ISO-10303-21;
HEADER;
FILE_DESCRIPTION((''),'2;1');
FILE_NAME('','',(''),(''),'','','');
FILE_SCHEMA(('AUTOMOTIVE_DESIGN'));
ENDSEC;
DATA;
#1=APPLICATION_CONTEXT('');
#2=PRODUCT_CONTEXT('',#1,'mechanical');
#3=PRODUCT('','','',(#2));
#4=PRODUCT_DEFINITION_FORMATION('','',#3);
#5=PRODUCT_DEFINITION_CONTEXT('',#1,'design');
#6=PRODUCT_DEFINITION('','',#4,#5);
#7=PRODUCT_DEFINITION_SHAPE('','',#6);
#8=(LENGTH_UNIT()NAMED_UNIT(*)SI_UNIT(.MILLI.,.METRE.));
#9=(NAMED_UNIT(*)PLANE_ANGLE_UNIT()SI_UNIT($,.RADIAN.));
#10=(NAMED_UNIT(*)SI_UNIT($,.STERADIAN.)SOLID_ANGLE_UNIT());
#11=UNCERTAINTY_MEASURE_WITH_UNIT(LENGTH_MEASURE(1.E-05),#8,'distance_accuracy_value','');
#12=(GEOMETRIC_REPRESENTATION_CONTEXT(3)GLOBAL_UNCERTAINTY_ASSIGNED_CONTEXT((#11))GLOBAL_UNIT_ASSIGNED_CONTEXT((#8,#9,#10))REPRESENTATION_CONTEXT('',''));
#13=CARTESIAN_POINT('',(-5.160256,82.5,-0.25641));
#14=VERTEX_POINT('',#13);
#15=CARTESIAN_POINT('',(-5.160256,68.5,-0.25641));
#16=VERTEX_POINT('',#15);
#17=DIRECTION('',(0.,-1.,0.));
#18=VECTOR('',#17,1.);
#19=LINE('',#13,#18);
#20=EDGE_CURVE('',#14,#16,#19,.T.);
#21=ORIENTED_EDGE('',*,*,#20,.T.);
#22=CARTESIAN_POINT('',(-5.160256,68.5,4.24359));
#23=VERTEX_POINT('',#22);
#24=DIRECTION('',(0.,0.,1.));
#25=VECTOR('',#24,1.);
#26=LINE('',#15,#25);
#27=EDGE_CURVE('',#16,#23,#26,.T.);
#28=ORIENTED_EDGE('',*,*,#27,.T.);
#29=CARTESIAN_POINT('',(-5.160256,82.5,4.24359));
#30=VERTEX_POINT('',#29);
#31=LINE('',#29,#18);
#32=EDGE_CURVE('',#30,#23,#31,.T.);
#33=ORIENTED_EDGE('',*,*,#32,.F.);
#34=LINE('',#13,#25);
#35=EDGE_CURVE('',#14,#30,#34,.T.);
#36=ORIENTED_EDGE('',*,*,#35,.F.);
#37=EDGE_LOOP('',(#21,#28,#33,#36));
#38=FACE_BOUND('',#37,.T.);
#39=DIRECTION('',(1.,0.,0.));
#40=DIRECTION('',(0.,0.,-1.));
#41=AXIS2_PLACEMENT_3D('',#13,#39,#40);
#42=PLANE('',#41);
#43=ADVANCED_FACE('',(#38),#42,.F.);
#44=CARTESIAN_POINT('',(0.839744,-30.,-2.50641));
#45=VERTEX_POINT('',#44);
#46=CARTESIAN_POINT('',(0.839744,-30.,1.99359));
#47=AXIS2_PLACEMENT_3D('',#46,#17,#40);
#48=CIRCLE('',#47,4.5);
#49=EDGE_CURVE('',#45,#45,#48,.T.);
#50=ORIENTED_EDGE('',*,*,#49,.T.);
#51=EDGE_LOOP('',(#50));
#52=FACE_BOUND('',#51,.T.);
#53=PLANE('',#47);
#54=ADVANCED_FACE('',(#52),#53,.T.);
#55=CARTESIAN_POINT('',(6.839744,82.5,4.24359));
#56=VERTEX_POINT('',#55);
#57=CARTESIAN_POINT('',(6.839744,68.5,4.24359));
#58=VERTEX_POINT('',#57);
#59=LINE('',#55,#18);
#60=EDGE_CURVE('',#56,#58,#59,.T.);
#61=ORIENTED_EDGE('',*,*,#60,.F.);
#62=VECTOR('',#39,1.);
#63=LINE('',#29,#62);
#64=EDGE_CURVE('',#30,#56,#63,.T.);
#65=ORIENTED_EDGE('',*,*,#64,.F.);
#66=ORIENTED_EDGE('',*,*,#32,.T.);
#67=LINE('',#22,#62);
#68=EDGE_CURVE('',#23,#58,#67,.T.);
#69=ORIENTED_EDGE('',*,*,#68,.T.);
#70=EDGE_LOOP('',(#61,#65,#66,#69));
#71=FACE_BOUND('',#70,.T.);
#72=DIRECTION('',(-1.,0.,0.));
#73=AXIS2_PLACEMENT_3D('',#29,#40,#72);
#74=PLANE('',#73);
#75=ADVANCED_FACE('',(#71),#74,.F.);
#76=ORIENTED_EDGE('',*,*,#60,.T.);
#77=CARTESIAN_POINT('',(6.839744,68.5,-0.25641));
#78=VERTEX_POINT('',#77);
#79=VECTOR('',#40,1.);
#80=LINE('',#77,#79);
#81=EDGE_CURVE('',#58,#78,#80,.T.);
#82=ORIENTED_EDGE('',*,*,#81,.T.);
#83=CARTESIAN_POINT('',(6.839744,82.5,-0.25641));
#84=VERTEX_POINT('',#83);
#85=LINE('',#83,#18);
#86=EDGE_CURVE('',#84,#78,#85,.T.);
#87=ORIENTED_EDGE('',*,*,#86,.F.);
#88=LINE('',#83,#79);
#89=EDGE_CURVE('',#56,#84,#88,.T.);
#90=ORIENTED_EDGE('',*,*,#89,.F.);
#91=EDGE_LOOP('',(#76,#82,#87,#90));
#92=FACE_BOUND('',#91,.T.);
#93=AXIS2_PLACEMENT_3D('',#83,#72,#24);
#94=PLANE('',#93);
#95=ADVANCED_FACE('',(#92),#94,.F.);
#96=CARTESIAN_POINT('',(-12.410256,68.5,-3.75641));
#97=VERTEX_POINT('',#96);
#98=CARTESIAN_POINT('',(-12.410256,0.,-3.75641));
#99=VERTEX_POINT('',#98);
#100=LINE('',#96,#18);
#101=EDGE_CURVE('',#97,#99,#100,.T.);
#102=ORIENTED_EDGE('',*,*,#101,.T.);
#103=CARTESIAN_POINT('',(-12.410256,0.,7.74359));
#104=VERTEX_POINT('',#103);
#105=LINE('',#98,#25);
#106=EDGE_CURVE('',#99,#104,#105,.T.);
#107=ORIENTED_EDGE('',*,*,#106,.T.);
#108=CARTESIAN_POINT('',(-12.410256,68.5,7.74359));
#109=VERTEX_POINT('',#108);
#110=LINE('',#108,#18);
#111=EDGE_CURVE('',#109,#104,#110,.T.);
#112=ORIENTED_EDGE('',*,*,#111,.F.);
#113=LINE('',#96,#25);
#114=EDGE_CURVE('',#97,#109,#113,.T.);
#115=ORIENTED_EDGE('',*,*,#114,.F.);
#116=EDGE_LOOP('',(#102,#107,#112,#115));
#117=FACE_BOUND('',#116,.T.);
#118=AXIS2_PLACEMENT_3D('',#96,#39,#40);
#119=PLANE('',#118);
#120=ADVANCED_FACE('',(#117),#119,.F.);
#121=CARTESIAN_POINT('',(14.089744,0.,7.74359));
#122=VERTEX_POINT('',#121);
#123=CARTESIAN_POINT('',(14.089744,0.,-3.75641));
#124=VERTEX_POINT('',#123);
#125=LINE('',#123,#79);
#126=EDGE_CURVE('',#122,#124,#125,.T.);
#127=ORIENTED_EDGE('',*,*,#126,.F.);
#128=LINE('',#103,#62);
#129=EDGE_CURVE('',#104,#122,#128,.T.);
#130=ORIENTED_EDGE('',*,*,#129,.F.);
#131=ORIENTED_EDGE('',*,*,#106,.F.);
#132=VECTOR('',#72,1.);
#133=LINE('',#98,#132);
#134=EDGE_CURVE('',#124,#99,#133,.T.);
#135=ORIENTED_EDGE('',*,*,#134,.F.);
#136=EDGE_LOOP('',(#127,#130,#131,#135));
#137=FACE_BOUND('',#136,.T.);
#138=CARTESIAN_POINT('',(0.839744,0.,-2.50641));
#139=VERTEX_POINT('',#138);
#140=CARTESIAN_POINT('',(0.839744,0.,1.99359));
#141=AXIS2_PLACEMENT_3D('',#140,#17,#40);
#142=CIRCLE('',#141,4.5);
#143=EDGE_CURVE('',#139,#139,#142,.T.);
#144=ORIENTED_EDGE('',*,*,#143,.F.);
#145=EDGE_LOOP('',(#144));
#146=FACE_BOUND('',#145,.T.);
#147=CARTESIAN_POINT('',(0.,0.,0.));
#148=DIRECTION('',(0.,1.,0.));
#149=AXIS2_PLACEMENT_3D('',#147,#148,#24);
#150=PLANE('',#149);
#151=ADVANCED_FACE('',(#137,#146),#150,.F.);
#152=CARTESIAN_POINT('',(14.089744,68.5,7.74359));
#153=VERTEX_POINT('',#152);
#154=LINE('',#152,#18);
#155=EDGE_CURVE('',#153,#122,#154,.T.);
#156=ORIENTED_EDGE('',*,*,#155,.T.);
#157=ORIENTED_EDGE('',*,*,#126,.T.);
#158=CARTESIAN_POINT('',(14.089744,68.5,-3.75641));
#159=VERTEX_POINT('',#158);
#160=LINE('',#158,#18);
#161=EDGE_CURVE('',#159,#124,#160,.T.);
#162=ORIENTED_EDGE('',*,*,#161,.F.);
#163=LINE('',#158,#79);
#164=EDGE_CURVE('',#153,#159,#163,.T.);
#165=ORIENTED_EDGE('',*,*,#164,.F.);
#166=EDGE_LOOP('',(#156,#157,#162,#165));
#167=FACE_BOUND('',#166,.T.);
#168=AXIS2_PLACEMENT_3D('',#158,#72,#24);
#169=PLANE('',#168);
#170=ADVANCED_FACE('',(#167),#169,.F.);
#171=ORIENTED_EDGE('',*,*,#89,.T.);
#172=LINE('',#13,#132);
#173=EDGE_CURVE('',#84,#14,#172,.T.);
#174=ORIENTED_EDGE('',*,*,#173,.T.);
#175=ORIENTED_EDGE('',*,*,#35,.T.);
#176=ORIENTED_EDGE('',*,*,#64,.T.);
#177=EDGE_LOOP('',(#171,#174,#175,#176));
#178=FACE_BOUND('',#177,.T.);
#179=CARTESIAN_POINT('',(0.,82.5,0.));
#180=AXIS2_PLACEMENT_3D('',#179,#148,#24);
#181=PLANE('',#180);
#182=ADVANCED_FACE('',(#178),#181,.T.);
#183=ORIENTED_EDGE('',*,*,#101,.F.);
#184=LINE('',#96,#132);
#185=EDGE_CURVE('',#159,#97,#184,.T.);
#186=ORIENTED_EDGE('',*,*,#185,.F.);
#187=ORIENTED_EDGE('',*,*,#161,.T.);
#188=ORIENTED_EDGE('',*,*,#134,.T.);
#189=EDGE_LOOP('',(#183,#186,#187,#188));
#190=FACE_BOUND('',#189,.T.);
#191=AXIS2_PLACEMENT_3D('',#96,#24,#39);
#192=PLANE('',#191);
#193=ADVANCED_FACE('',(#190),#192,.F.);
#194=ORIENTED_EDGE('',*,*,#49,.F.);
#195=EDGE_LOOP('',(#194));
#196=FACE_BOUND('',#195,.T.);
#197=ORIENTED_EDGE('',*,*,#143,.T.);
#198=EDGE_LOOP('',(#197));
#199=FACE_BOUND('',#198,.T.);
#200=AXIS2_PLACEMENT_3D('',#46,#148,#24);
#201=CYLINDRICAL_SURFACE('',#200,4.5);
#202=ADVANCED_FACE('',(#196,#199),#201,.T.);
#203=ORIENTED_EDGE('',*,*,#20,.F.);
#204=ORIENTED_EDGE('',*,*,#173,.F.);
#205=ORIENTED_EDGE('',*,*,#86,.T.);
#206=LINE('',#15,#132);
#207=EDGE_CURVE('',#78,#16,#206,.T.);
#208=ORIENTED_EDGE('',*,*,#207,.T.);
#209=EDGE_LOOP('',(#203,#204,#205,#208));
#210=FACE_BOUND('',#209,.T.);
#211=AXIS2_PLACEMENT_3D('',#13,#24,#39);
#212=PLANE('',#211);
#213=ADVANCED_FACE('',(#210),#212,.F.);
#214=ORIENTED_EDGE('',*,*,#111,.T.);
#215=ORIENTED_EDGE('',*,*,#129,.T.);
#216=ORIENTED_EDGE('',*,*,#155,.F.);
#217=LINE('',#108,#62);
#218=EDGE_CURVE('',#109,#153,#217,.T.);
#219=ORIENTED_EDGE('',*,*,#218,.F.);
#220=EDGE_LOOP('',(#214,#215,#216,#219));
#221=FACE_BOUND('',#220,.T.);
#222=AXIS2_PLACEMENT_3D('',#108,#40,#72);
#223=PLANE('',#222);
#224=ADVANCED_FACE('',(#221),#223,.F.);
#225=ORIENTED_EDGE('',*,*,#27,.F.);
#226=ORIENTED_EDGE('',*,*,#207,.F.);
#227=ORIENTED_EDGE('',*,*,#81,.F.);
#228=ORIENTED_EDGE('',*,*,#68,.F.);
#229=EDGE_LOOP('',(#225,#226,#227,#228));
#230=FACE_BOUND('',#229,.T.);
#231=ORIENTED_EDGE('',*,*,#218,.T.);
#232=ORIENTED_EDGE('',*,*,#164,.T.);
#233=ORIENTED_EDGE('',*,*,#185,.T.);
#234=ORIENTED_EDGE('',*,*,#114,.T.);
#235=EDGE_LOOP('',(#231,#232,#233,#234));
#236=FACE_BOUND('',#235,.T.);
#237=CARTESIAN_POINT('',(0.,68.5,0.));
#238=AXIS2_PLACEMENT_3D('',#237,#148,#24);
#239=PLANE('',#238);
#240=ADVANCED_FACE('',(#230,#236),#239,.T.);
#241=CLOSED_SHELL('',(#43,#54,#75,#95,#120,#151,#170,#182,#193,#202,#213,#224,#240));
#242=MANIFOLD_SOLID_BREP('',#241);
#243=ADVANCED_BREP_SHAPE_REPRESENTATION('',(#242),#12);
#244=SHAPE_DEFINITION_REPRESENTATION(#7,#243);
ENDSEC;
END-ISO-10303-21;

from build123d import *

# Parameters (mm, degrees)
SKETCH_1_W      = 26.5
SKETCH_1_H      = 11.5
EXTRUDE_1_DEPTH = 68.5
SKETCH_2_W      = 12
SKETCH_2_H      = 4.5
EXTRUDE_2_DEPTH = 14
SKETCH_3_R      = 4.5
EXTRUDE_3_DEPTH = 30


with BuildPart() as part:
    # 草图1 → 凸台-拉伸1 (new body)
    with BuildSketch(Plane(origin=(0, 0, 0), x_dir=(1, 0, 0), z_dir=(0, 1, 0))):
        with Locations((0.83974359, -1.993589744)):
            Rectangle(SKETCH_1_W, SKETCH_1_H)
    extrude(amount=EXTRUDE_1_DEPTH)

    # 草图2 → 凸台-拉伸2 (add)
    with BuildSketch(Plane(origin=(0, 68.5, 0), x_dir=(1, 0, 0), z_dir=(0, 1, 0))):
        with Locations((0.83974359, -1.993589744)):
            Rectangle(SKETCH_2_W, SKETCH_2_H)
    extrude(amount=EXTRUDE_2_DEPTH)

    # 草图3 → 凸台-拉伸3 (add)
    with BuildSketch(Plane.XZ):
        with Locations(Location((0.83974359, 1.993589744, 0), (0, 0, 270))):
            Circle(SKETCH_3_R)
    extrude(amount=EXTRUDE_3_DEPTH)


solid = part.part
